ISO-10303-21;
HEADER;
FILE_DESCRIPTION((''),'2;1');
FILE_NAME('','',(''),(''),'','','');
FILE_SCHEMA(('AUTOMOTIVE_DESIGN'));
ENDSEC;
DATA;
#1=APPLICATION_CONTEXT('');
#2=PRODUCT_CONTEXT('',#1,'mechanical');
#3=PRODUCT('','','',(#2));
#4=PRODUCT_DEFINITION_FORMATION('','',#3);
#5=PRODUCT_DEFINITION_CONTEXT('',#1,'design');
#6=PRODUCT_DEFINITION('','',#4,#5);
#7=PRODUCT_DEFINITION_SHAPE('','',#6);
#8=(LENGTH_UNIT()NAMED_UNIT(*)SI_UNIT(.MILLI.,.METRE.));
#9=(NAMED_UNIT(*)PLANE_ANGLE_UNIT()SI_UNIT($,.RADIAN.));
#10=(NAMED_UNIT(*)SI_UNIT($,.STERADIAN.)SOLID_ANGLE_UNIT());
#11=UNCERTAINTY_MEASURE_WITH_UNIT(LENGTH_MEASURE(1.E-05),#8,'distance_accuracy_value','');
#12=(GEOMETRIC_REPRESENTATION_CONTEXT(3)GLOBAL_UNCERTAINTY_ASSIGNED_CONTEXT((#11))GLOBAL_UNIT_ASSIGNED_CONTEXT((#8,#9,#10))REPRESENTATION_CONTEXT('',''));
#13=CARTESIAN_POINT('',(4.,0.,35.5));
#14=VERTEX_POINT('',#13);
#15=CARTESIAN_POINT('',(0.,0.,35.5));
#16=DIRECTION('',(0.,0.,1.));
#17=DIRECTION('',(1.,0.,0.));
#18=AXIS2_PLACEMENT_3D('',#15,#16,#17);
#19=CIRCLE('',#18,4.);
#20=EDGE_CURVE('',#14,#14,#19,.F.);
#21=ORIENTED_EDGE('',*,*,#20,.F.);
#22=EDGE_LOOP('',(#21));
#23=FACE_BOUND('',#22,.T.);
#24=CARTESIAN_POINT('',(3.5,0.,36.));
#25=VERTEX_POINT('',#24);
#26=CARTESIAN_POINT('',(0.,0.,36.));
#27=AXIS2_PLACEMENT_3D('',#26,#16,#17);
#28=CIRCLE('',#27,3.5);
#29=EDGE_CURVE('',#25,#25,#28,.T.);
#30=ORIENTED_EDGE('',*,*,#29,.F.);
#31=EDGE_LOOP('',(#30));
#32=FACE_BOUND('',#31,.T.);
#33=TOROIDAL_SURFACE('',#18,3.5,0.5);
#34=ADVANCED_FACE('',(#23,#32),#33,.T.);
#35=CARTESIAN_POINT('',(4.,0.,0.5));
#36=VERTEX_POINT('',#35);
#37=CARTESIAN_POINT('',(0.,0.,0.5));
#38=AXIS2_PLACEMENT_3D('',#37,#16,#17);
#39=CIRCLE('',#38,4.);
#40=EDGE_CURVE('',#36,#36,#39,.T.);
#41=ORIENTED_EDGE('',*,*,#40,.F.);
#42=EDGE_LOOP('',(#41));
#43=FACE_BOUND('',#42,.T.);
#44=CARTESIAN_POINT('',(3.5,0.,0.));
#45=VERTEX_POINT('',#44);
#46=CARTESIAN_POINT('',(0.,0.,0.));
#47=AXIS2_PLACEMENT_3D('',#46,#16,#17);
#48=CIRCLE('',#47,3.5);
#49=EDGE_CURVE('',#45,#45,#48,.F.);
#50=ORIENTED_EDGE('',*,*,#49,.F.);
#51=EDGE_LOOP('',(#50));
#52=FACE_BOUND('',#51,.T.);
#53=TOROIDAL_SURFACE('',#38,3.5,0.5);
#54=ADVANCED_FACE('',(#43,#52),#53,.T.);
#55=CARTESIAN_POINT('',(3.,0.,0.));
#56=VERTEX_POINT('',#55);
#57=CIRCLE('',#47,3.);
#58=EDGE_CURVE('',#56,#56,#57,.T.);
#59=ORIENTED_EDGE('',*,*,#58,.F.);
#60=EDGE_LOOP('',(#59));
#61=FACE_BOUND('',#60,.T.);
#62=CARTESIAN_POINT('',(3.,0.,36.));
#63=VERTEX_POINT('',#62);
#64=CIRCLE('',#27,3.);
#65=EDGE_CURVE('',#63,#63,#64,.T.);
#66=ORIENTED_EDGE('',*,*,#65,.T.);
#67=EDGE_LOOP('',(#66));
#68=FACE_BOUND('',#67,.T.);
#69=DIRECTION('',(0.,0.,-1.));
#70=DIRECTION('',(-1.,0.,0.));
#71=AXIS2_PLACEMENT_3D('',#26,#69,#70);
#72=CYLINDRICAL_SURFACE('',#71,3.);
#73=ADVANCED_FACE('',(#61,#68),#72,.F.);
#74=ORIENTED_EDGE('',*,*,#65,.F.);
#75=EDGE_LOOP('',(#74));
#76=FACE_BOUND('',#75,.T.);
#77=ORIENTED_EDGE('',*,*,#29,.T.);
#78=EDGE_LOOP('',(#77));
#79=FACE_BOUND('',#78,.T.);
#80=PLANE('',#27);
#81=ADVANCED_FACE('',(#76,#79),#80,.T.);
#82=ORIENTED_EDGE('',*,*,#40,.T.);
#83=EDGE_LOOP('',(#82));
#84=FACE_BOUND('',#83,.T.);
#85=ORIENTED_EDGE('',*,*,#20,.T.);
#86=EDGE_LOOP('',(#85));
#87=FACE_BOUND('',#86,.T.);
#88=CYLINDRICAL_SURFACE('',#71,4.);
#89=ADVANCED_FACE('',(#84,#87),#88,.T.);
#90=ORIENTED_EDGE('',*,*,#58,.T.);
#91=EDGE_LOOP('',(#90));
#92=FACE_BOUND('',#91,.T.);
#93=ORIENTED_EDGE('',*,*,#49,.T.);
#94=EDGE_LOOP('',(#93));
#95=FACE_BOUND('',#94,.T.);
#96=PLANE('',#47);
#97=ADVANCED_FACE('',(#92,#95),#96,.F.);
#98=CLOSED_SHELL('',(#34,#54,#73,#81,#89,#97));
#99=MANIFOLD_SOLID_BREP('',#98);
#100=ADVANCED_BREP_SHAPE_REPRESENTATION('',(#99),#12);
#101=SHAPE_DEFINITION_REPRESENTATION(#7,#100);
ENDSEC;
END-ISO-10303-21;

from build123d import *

# Parameters (mm, degrees)
SKETCH_1_R      = 4
SKETCH_1_R_2    = 3
EXTRUDE_1_DEPTH = 36
FILLET_1_R      = 0.5


with BuildPart() as part:
    # Эскиз1 → Бобышка-Вытянуть1 (new body)
    with BuildSketch(Plane.XY):
        Circle(SKETCH_1_R)
        Circle(SKETCH_1_R_2, mode=Mode.SUBTRACT)
    extrude(amount=EXTRUDE_1_DEPTH)

    # Скругление1
    fillet_1_edges = [part.edges().sort_by_distance(p)[0] for p in [
        (-4, 0, 0),
        (-4, 0, 36),
    ]]
    fillet(fillet_1_edges, radius=FILLET_1_R)


solid = part.part
